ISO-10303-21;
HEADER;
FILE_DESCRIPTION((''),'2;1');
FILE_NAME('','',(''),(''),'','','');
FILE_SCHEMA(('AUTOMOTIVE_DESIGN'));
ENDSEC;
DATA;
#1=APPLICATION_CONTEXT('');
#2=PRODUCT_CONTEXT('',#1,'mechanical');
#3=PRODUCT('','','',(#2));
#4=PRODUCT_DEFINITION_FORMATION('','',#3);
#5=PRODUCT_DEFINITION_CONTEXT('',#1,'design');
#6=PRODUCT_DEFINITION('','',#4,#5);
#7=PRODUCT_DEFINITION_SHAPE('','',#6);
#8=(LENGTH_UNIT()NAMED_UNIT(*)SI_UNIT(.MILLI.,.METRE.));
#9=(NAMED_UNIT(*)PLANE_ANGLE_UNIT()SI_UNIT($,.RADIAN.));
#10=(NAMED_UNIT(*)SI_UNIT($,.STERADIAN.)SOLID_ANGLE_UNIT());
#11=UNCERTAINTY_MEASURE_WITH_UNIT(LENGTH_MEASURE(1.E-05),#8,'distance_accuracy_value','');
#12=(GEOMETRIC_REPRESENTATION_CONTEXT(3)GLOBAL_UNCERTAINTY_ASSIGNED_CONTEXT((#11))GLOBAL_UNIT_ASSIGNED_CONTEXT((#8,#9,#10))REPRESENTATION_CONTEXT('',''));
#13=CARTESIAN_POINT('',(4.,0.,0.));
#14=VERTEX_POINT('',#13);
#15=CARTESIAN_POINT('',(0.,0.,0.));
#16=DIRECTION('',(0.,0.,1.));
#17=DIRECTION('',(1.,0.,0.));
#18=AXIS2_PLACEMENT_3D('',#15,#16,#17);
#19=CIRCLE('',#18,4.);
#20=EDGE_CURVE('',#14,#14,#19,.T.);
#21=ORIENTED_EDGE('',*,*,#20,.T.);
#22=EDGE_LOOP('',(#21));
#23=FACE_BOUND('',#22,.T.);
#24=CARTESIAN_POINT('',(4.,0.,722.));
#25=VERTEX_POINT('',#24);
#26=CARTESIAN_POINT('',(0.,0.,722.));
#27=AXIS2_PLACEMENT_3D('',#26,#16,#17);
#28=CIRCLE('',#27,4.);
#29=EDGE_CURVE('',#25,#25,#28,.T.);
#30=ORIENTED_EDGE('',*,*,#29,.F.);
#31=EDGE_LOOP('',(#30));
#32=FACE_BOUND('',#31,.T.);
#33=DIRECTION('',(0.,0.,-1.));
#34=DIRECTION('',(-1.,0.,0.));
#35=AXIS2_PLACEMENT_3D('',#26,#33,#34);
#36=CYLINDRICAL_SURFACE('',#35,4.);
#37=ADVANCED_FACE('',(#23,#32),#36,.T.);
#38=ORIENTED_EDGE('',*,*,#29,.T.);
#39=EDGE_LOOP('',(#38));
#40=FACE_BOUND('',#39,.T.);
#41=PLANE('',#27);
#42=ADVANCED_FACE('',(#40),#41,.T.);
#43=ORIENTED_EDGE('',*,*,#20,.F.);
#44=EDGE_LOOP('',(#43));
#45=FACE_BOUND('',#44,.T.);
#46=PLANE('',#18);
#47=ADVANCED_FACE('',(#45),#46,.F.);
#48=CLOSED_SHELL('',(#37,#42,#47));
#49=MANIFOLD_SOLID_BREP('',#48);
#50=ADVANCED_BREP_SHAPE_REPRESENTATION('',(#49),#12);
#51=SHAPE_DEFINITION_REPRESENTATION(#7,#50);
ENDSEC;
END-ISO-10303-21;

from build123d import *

# Parameters (mm, degrees)
ESQUISSE1_R        = 4
BOSS_EXTRU_1_DEPTH = 722


with BuildPart() as part:
    # Esquisse1 → Boss.-Extru.1 (new body)
    with BuildSketch(Plane.XY):
        Circle(ESQUISSE1_R)
    extrude(amount=BOSS_EXTRU_1_DEPTH)


solid = part.part
